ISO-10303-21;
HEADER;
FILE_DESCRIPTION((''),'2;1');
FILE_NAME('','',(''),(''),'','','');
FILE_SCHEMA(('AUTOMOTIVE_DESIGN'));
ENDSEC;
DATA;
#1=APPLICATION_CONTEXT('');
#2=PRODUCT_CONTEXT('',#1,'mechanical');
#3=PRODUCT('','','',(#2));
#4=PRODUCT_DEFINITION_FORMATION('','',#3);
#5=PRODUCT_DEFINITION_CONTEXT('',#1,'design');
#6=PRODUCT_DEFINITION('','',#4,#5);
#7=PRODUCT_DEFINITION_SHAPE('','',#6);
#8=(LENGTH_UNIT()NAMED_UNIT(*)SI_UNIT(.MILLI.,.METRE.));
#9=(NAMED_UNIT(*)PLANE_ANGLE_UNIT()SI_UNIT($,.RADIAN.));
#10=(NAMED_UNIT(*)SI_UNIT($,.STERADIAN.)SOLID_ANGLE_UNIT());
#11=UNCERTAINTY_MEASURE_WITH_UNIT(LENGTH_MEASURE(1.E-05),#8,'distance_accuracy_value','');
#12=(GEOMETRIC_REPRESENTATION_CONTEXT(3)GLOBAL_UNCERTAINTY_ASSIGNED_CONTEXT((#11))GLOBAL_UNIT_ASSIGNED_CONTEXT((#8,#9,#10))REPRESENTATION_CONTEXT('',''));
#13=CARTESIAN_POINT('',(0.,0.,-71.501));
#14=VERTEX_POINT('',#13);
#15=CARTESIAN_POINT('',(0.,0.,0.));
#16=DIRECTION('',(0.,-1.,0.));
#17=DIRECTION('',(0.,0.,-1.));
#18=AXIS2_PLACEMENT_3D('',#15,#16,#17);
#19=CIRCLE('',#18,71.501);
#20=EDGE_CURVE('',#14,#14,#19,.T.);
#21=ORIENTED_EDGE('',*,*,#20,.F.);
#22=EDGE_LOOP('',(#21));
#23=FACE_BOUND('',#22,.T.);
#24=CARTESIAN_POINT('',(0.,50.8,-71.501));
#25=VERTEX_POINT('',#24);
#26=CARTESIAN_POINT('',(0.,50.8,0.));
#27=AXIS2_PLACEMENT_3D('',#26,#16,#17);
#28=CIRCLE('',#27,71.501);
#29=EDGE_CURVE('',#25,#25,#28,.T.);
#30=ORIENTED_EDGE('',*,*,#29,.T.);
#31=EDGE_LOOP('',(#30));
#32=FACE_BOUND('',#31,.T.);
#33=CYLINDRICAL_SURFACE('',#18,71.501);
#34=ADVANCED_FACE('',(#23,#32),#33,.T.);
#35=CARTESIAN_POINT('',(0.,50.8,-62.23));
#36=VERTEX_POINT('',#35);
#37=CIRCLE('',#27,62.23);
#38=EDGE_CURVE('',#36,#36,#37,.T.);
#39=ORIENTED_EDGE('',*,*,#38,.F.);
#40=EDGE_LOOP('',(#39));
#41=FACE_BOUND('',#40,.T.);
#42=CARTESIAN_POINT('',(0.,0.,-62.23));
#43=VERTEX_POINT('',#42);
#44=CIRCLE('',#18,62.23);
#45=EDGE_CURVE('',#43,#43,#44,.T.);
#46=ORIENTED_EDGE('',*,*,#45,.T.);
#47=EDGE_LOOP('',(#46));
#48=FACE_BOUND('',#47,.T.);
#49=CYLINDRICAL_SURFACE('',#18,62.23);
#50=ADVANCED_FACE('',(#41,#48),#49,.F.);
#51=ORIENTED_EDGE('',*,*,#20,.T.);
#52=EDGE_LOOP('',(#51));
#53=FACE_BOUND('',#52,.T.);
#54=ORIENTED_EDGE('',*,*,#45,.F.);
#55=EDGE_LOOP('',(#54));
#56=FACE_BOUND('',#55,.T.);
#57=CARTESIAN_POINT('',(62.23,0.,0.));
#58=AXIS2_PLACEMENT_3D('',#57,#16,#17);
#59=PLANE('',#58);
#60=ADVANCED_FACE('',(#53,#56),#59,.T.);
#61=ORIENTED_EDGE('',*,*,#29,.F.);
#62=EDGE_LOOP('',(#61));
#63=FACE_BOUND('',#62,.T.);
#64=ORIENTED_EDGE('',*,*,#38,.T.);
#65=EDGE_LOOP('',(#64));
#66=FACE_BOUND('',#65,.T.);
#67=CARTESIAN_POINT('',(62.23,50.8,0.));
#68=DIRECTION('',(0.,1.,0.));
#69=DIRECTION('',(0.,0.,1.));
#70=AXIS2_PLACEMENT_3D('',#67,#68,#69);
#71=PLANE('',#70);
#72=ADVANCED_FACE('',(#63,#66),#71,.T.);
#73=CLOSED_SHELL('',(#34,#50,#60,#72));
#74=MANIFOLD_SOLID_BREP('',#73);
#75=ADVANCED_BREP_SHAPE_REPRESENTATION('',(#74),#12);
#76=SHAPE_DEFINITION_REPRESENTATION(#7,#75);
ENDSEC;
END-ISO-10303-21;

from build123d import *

# Parameters (mm, degrees)
SKETCH1_W = 9.271
SKETCH1_H = 50.8


with BuildPart() as part:
    # Sketch1 → Revolve1 (revolve)
    with BuildSketch(Plane.XY, mode=Mode.PRIVATE) as revolve1_sk:
        with Locations((66.8655, 25.4)):
            Rectangle(SKETCH1_W, SKETCH1_H)
    revolve(revolve1_sk.sketch.rotate(Axis((0, 0, 0), (0, 1, 0)), 90), axis=Axis((0, 0, 0), (0, 1, 0)))


solid = part.part
